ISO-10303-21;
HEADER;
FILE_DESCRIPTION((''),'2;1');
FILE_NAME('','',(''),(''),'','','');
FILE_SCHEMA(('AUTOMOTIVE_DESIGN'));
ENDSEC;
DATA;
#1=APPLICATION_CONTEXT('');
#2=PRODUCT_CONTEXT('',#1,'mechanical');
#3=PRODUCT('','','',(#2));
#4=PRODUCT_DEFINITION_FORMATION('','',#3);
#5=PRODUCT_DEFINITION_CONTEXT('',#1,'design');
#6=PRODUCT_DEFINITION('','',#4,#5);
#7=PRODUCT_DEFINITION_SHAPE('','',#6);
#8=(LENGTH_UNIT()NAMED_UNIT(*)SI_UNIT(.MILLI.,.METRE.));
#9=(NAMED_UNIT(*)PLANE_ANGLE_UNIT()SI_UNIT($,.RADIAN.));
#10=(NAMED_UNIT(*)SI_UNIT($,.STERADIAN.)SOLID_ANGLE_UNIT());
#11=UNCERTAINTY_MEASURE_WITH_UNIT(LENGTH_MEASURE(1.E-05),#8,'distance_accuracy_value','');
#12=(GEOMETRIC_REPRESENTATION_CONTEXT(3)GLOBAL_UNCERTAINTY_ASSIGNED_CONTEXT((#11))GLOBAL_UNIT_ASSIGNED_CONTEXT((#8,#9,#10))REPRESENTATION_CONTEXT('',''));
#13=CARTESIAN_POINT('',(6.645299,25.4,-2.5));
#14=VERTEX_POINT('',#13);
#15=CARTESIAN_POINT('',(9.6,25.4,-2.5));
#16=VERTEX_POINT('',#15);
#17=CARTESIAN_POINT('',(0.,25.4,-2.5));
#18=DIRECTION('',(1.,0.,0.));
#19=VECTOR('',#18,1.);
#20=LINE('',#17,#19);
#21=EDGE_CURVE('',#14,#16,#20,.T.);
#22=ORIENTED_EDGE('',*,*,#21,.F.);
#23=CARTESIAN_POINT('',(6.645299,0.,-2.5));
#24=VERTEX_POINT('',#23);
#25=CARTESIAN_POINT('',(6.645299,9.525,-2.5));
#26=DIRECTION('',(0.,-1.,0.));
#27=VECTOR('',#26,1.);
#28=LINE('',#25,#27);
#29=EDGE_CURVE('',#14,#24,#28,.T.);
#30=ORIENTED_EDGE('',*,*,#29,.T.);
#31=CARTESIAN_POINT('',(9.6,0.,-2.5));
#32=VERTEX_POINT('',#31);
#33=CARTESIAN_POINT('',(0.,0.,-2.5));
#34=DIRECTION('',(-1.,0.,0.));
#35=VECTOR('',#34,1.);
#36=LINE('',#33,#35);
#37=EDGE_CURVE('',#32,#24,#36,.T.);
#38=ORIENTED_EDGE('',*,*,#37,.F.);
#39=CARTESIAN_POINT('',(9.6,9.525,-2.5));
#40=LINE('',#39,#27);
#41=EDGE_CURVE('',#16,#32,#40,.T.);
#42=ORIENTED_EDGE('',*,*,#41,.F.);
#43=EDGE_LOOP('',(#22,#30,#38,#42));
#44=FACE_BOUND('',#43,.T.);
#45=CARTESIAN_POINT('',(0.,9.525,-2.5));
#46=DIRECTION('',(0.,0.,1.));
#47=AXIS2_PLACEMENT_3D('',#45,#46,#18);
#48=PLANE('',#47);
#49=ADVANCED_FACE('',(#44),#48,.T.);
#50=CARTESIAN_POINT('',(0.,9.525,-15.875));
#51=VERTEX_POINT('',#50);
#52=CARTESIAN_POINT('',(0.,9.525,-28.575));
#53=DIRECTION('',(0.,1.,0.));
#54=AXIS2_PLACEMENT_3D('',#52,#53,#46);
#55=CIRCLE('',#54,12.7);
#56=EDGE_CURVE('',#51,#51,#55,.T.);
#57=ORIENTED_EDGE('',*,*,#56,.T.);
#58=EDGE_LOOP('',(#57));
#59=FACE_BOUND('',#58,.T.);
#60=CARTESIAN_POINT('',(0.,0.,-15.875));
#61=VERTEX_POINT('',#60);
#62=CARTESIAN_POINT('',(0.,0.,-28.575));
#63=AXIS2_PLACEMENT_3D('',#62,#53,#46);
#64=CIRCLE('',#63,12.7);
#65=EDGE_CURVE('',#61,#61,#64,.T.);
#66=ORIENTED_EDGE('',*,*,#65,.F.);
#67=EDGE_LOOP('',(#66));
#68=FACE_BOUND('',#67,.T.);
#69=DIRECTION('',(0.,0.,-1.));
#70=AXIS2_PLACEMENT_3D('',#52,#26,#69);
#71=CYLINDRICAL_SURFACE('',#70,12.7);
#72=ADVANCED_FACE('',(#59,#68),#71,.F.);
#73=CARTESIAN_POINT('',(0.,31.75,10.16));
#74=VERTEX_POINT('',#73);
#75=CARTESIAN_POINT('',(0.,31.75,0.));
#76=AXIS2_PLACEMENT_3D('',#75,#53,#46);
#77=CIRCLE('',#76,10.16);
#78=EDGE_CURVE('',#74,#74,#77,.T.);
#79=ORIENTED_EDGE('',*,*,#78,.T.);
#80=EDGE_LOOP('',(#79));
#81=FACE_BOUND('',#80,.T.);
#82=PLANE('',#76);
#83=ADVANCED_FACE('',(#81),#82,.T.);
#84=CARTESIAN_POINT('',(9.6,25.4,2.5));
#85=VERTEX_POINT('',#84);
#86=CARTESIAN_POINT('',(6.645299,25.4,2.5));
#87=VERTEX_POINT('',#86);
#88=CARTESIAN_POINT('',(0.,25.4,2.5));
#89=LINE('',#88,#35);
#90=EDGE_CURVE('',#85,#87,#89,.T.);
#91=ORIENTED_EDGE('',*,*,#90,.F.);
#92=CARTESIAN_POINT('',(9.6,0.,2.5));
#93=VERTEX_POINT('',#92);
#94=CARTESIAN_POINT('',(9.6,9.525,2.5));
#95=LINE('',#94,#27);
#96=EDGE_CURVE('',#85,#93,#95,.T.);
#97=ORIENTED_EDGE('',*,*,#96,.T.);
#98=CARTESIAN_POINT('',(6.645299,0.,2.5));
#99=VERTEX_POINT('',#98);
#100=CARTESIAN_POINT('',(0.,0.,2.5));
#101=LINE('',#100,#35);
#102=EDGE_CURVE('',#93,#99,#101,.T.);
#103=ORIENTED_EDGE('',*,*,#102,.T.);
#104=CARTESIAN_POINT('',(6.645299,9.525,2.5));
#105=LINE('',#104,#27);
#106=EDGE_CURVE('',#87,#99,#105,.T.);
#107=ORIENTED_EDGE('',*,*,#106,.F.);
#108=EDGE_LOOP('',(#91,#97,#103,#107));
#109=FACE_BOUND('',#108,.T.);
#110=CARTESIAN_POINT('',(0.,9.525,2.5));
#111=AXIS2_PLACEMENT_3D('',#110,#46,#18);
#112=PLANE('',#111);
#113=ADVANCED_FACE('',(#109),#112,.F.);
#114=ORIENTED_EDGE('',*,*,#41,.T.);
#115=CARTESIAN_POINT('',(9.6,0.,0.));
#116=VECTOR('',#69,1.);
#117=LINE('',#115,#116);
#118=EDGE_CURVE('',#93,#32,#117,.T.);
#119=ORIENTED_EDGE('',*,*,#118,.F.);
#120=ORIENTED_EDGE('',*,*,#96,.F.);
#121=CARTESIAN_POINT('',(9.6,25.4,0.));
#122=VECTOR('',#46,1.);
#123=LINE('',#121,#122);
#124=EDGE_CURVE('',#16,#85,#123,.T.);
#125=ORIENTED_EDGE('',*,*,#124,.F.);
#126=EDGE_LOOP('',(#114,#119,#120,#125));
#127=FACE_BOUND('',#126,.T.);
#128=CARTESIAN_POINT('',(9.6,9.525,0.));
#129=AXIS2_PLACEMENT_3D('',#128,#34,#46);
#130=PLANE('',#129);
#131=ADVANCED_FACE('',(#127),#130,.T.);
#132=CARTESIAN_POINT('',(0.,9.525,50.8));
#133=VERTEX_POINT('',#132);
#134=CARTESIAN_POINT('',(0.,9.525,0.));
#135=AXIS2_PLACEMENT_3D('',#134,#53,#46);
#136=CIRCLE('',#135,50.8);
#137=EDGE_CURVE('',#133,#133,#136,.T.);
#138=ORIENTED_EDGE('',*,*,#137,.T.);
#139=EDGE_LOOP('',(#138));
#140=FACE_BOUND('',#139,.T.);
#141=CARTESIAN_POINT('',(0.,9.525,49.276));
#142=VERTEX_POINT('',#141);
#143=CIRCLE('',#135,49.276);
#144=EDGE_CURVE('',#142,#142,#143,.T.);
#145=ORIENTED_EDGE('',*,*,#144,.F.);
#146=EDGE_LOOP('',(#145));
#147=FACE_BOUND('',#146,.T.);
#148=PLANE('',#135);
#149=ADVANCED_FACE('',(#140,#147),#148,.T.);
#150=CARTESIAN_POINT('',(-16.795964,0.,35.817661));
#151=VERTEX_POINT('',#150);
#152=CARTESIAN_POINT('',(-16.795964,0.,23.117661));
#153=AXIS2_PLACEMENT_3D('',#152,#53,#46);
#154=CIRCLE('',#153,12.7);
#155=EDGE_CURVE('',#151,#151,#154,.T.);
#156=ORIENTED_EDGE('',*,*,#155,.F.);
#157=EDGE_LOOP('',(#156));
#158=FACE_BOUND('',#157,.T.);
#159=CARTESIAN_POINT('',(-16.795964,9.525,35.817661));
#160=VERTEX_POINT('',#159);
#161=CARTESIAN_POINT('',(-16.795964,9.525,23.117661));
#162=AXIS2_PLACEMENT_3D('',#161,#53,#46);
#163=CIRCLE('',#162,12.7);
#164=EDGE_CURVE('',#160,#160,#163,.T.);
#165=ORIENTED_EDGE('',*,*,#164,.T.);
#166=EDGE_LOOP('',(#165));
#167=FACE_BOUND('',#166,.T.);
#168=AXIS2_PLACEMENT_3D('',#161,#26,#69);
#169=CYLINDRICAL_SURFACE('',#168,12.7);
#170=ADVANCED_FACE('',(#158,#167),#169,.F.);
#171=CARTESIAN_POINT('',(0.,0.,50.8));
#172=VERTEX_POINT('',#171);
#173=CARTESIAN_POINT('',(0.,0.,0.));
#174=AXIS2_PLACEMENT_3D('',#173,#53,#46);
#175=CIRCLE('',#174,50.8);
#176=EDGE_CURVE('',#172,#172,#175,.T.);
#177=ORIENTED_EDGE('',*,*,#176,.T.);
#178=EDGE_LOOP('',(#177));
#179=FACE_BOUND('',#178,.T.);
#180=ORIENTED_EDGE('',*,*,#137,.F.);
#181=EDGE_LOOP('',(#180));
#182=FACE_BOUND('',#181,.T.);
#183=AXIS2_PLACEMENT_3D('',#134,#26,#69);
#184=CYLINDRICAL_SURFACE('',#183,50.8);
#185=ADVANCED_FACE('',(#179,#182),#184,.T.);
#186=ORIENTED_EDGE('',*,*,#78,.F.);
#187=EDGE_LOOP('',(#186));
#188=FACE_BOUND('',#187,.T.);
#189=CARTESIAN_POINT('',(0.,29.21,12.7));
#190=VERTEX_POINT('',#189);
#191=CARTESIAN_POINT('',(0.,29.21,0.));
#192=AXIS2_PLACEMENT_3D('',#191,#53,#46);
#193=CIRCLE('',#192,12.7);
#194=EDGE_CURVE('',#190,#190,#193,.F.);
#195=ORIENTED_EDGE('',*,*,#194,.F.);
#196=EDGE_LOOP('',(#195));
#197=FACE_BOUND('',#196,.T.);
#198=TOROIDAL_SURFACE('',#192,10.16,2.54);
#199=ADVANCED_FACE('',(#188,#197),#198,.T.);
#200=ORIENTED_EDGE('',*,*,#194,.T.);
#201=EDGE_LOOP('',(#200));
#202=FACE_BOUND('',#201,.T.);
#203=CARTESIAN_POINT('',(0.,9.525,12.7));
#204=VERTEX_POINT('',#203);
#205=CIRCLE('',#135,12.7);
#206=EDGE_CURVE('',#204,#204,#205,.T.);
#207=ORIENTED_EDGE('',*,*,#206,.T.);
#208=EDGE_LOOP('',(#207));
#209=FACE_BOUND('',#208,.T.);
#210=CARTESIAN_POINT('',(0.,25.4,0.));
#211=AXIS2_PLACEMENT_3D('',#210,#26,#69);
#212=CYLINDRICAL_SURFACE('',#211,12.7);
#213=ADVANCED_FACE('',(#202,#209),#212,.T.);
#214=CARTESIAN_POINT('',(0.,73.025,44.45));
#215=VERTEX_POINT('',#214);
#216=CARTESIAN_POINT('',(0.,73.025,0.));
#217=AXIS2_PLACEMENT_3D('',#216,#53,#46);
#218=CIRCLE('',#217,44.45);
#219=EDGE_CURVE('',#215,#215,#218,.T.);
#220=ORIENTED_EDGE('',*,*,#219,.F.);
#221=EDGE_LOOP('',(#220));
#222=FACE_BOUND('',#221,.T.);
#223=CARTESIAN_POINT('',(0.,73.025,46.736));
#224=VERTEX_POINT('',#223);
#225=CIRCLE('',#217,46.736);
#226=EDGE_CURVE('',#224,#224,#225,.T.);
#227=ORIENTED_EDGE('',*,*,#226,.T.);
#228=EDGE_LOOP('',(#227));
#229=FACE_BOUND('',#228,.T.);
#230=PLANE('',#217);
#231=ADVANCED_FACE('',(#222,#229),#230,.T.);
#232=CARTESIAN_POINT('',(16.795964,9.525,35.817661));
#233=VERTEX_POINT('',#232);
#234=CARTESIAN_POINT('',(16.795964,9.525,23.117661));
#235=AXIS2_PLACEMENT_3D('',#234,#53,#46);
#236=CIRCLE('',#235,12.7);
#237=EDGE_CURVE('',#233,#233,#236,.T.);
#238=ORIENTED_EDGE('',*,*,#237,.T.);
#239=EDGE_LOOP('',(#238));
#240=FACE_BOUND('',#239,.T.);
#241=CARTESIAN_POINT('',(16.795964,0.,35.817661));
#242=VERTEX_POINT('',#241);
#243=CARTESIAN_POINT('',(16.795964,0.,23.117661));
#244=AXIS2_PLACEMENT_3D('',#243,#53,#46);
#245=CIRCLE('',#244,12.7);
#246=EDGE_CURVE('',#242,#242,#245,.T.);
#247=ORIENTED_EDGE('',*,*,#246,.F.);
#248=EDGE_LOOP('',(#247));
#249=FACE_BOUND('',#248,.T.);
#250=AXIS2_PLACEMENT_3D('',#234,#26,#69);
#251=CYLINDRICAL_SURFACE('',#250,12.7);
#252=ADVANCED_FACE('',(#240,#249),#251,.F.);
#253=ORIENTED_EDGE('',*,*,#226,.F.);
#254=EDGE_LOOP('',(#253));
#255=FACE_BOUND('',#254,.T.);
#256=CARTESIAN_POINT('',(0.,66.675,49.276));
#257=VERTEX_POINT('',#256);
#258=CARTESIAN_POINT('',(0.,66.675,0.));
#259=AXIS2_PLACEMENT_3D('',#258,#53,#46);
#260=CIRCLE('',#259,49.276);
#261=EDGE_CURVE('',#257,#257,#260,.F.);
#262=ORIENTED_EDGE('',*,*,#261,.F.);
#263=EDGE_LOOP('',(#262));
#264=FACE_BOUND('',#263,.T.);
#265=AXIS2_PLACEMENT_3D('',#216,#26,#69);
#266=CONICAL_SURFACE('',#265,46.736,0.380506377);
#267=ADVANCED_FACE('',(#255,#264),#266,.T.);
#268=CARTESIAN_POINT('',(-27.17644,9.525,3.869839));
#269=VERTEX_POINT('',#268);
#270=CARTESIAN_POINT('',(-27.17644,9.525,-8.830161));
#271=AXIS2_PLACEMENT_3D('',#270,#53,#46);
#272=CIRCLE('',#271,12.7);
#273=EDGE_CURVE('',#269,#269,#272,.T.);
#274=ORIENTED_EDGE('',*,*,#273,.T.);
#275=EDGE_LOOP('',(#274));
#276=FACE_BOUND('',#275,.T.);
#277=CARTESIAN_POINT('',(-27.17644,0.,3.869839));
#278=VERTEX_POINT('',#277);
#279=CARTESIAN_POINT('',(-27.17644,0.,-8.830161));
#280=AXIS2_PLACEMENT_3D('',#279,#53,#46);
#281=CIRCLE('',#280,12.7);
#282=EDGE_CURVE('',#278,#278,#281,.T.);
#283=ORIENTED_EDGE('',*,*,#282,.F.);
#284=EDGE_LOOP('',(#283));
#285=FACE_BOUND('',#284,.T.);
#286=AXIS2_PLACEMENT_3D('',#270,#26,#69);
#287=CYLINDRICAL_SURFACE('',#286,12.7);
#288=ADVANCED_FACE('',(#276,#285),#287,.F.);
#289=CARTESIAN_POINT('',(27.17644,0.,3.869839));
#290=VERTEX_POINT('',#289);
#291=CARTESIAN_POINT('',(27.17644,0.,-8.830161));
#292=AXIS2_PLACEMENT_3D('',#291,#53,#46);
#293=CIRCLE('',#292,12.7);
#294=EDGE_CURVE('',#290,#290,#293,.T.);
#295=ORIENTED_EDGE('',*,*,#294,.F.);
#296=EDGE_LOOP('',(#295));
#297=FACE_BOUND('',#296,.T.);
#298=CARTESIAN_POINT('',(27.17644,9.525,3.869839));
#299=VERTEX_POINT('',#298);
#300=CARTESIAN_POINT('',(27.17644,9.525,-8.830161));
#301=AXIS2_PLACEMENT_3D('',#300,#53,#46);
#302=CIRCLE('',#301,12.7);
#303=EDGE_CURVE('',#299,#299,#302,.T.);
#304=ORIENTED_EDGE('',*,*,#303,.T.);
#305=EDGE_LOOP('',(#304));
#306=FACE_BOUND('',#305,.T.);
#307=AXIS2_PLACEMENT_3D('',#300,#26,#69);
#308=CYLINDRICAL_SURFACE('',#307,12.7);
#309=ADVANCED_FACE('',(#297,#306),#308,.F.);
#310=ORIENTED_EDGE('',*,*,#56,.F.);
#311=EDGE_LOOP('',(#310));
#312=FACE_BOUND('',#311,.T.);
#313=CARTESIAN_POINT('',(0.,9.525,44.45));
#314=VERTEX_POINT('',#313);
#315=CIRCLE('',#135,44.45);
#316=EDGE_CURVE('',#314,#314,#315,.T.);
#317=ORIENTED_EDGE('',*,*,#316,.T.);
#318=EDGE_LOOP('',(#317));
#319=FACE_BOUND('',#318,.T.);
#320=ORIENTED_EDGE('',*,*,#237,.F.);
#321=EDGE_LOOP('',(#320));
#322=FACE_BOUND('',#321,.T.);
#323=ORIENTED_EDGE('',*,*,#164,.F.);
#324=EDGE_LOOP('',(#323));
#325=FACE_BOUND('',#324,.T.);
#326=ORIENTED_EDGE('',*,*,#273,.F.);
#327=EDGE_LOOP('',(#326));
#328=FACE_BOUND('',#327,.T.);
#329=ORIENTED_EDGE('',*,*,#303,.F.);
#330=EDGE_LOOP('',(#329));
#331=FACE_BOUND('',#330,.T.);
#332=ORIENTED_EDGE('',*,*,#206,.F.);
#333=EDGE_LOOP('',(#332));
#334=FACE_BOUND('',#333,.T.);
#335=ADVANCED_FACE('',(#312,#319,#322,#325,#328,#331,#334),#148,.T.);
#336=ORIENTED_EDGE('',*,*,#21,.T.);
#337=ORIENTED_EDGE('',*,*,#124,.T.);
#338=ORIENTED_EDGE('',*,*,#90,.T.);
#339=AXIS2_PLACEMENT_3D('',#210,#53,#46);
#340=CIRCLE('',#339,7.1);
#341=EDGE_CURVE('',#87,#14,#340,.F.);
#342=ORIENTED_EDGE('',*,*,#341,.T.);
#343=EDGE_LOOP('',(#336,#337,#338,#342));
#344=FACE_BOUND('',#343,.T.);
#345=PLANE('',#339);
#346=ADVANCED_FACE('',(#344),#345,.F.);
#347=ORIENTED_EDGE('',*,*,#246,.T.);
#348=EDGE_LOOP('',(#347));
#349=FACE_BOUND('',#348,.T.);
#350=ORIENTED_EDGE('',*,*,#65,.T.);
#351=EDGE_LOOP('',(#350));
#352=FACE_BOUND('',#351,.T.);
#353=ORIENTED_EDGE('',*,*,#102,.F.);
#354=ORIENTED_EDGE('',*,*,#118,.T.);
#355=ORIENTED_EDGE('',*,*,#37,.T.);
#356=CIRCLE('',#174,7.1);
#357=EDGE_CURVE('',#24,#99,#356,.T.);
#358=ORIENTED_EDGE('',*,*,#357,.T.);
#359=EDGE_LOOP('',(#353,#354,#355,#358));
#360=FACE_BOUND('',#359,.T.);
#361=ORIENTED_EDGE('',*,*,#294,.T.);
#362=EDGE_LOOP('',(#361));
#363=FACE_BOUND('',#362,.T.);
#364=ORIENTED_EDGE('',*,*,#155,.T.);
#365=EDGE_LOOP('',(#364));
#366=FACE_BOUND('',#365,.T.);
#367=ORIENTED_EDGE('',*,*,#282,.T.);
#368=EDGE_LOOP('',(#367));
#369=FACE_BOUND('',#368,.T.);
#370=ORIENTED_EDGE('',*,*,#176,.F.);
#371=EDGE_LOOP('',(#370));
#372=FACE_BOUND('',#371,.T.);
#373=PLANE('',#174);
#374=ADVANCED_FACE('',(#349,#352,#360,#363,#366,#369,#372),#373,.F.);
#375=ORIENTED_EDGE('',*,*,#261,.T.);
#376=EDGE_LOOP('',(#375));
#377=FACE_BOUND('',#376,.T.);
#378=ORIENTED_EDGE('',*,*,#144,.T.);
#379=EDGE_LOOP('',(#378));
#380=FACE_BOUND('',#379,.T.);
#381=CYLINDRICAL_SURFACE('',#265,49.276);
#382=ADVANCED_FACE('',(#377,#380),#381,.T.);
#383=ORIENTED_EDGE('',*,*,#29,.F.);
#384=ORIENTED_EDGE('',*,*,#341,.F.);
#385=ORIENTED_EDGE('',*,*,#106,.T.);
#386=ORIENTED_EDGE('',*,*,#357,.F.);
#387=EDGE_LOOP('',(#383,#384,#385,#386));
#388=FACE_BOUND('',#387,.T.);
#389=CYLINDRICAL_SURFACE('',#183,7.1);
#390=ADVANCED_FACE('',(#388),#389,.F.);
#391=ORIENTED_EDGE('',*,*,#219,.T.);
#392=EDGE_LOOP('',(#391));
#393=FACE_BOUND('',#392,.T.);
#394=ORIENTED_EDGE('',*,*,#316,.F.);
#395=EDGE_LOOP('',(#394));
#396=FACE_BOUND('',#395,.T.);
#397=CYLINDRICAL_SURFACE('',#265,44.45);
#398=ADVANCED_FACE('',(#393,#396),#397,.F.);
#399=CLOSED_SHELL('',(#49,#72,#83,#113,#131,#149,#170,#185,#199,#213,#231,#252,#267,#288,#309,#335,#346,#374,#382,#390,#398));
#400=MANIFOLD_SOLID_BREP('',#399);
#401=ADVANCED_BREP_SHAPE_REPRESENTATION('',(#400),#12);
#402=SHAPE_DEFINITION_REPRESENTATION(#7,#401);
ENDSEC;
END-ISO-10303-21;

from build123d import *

# Parameters (mm, degrees)
SKETCH1_R           = 50.8
SKETCH1_R_2         = 12.7
BOSS_EXTRUDE1_DEPTH = 9.525
SKETCH2_R           = 49.276
SKETCH2_R_2         = 44.45
BOSS_EXTRUDE2_DEPTH = 63.5
SKETCH3_R           = 12.7
BOSS_EXTRUDE3_DEPTH = 15.875
CHAMFER1_SIZE       = 6.35
CHAMFER1_SIZE2      = 2.54
SKETCH4_R           = 12.7
BOSS_EXTRUDE4_DEPTH = 6.35
FILLET1_R           = 2.54


with BuildPart() as part:
    # Sketch1 → Boss-Extrude1 (new body)
    with BuildSketch(Plane(origin=(0, 0, 0), x_dir=(1, 0, 0), z_dir=(0, 1, 0))):
        Circle(SKETCH1_R)
        with Locations((-16.795963584, -23.117660614)):
            Circle(SKETCH1_R_2, mode=Mode.SUBTRACT)
        with Locations((16.795963584, -23.117660614)):
            Circle(SKETCH1_R_2, mode=Mode.SUBTRACT)
        with BuildLine():
            Line((9.6, -2.5), (6.64529909, -2.5))
            ThreePointArc((6.64529909, -2.5), (-7.1, 0), (6.64529909, 2.5))
            Line((6.64529909, 2.5), (9.6, 2.5))
            Line((9.6, 2.5), (9.6, -2.5))
        make_face(mode=Mode.SUBTRACT)
        with Locations((-27.176439953, 8.830160614)):
            Circle(SKETCH1_R_2, mode=Mode.SUBTRACT)
        with BuildLine():
            ThreePointArc((0, 15.875), (-12.7, 28.575), (0, 41.275))
            ThreePointArc((0, 41.275), (12.7, 28.575), (0, 15.875))
        make_face(mode=Mode.SUBTRACT)
        with Locations((27.176439953, 8.830160614)):
            Circle(SKETCH1_R_2, mode=Mode.SUBTRACT)
    extrude(amount=BOSS_EXTRUDE1_DEPTH)

    # Sketch2 → Boss-Extrude2 (add)
    with BuildSketch(Plane(origin=(0, 9.525, 0), x_dir=(1, 0, 0), z_dir=(0, 1, 0))):
        Circle(SKETCH2_R)
        Circle(SKETCH2_R_2, mode=Mode.SUBTRACT)
    extrude(amount=BOSS_EXTRUDE2_DEPTH)

    # Sketch3 → Boss-Extrude3 (add)
    with BuildSketch(Plane(origin=(0, 9.525, 0), x_dir=(1, 0, 0), z_dir=(0, 1, 0))):
        Circle(SKETCH3_R)
        with BuildLine():
            Line((9.6, -2.5), (6.64529909, -2.5))
            ThreePointArc((6.64529909, -2.5), (-7.1, 0), (6.64529909, 2.5))
            Line((6.64529909, 2.5), (9.6, 2.5))
            Line((9.6, 2.5), (9.6, -2.5))
        make_face(mode=Mode.SUBTRACT)
    extrude(amount=BOSS_EXTRUDE3_DEPTH)

    # Chamfer1
    chamfer1_edges = [part.edges().sort_by_distance(p)[0] for p in [
        (-49.276, 73.025, 0),
    ]]
    chamfer1_side = [part.faces().sort_by_distance(p)[0] for p in [
        (-49.276, 41.275, 0),
    ]]
    chamfer(chamfer1_edges, length=CHAMFER1_SIZE, length2=CHAMFER1_SIZE2, reference=chamfer1_side[0])

    # Sketch4 → Boss-Extrude4 (add)
    with BuildSketch(Plane(origin=(0, 25.4, 0), x_dir=(1, 0, 0), z_dir=(0, 1, 0))):
        Circle(SKETCH4_R)
    extrude(amount=BOSS_EXTRUDE4_DEPTH)

    # Fillet1
    fillet1_edges = [part.edges().sort_by_distance(p)[0] for p in [
        (-12.7, 31.75, 0),
    ]]
    fillet(fillet1_edges, radius=FILLET1_R)


solid = part.part
